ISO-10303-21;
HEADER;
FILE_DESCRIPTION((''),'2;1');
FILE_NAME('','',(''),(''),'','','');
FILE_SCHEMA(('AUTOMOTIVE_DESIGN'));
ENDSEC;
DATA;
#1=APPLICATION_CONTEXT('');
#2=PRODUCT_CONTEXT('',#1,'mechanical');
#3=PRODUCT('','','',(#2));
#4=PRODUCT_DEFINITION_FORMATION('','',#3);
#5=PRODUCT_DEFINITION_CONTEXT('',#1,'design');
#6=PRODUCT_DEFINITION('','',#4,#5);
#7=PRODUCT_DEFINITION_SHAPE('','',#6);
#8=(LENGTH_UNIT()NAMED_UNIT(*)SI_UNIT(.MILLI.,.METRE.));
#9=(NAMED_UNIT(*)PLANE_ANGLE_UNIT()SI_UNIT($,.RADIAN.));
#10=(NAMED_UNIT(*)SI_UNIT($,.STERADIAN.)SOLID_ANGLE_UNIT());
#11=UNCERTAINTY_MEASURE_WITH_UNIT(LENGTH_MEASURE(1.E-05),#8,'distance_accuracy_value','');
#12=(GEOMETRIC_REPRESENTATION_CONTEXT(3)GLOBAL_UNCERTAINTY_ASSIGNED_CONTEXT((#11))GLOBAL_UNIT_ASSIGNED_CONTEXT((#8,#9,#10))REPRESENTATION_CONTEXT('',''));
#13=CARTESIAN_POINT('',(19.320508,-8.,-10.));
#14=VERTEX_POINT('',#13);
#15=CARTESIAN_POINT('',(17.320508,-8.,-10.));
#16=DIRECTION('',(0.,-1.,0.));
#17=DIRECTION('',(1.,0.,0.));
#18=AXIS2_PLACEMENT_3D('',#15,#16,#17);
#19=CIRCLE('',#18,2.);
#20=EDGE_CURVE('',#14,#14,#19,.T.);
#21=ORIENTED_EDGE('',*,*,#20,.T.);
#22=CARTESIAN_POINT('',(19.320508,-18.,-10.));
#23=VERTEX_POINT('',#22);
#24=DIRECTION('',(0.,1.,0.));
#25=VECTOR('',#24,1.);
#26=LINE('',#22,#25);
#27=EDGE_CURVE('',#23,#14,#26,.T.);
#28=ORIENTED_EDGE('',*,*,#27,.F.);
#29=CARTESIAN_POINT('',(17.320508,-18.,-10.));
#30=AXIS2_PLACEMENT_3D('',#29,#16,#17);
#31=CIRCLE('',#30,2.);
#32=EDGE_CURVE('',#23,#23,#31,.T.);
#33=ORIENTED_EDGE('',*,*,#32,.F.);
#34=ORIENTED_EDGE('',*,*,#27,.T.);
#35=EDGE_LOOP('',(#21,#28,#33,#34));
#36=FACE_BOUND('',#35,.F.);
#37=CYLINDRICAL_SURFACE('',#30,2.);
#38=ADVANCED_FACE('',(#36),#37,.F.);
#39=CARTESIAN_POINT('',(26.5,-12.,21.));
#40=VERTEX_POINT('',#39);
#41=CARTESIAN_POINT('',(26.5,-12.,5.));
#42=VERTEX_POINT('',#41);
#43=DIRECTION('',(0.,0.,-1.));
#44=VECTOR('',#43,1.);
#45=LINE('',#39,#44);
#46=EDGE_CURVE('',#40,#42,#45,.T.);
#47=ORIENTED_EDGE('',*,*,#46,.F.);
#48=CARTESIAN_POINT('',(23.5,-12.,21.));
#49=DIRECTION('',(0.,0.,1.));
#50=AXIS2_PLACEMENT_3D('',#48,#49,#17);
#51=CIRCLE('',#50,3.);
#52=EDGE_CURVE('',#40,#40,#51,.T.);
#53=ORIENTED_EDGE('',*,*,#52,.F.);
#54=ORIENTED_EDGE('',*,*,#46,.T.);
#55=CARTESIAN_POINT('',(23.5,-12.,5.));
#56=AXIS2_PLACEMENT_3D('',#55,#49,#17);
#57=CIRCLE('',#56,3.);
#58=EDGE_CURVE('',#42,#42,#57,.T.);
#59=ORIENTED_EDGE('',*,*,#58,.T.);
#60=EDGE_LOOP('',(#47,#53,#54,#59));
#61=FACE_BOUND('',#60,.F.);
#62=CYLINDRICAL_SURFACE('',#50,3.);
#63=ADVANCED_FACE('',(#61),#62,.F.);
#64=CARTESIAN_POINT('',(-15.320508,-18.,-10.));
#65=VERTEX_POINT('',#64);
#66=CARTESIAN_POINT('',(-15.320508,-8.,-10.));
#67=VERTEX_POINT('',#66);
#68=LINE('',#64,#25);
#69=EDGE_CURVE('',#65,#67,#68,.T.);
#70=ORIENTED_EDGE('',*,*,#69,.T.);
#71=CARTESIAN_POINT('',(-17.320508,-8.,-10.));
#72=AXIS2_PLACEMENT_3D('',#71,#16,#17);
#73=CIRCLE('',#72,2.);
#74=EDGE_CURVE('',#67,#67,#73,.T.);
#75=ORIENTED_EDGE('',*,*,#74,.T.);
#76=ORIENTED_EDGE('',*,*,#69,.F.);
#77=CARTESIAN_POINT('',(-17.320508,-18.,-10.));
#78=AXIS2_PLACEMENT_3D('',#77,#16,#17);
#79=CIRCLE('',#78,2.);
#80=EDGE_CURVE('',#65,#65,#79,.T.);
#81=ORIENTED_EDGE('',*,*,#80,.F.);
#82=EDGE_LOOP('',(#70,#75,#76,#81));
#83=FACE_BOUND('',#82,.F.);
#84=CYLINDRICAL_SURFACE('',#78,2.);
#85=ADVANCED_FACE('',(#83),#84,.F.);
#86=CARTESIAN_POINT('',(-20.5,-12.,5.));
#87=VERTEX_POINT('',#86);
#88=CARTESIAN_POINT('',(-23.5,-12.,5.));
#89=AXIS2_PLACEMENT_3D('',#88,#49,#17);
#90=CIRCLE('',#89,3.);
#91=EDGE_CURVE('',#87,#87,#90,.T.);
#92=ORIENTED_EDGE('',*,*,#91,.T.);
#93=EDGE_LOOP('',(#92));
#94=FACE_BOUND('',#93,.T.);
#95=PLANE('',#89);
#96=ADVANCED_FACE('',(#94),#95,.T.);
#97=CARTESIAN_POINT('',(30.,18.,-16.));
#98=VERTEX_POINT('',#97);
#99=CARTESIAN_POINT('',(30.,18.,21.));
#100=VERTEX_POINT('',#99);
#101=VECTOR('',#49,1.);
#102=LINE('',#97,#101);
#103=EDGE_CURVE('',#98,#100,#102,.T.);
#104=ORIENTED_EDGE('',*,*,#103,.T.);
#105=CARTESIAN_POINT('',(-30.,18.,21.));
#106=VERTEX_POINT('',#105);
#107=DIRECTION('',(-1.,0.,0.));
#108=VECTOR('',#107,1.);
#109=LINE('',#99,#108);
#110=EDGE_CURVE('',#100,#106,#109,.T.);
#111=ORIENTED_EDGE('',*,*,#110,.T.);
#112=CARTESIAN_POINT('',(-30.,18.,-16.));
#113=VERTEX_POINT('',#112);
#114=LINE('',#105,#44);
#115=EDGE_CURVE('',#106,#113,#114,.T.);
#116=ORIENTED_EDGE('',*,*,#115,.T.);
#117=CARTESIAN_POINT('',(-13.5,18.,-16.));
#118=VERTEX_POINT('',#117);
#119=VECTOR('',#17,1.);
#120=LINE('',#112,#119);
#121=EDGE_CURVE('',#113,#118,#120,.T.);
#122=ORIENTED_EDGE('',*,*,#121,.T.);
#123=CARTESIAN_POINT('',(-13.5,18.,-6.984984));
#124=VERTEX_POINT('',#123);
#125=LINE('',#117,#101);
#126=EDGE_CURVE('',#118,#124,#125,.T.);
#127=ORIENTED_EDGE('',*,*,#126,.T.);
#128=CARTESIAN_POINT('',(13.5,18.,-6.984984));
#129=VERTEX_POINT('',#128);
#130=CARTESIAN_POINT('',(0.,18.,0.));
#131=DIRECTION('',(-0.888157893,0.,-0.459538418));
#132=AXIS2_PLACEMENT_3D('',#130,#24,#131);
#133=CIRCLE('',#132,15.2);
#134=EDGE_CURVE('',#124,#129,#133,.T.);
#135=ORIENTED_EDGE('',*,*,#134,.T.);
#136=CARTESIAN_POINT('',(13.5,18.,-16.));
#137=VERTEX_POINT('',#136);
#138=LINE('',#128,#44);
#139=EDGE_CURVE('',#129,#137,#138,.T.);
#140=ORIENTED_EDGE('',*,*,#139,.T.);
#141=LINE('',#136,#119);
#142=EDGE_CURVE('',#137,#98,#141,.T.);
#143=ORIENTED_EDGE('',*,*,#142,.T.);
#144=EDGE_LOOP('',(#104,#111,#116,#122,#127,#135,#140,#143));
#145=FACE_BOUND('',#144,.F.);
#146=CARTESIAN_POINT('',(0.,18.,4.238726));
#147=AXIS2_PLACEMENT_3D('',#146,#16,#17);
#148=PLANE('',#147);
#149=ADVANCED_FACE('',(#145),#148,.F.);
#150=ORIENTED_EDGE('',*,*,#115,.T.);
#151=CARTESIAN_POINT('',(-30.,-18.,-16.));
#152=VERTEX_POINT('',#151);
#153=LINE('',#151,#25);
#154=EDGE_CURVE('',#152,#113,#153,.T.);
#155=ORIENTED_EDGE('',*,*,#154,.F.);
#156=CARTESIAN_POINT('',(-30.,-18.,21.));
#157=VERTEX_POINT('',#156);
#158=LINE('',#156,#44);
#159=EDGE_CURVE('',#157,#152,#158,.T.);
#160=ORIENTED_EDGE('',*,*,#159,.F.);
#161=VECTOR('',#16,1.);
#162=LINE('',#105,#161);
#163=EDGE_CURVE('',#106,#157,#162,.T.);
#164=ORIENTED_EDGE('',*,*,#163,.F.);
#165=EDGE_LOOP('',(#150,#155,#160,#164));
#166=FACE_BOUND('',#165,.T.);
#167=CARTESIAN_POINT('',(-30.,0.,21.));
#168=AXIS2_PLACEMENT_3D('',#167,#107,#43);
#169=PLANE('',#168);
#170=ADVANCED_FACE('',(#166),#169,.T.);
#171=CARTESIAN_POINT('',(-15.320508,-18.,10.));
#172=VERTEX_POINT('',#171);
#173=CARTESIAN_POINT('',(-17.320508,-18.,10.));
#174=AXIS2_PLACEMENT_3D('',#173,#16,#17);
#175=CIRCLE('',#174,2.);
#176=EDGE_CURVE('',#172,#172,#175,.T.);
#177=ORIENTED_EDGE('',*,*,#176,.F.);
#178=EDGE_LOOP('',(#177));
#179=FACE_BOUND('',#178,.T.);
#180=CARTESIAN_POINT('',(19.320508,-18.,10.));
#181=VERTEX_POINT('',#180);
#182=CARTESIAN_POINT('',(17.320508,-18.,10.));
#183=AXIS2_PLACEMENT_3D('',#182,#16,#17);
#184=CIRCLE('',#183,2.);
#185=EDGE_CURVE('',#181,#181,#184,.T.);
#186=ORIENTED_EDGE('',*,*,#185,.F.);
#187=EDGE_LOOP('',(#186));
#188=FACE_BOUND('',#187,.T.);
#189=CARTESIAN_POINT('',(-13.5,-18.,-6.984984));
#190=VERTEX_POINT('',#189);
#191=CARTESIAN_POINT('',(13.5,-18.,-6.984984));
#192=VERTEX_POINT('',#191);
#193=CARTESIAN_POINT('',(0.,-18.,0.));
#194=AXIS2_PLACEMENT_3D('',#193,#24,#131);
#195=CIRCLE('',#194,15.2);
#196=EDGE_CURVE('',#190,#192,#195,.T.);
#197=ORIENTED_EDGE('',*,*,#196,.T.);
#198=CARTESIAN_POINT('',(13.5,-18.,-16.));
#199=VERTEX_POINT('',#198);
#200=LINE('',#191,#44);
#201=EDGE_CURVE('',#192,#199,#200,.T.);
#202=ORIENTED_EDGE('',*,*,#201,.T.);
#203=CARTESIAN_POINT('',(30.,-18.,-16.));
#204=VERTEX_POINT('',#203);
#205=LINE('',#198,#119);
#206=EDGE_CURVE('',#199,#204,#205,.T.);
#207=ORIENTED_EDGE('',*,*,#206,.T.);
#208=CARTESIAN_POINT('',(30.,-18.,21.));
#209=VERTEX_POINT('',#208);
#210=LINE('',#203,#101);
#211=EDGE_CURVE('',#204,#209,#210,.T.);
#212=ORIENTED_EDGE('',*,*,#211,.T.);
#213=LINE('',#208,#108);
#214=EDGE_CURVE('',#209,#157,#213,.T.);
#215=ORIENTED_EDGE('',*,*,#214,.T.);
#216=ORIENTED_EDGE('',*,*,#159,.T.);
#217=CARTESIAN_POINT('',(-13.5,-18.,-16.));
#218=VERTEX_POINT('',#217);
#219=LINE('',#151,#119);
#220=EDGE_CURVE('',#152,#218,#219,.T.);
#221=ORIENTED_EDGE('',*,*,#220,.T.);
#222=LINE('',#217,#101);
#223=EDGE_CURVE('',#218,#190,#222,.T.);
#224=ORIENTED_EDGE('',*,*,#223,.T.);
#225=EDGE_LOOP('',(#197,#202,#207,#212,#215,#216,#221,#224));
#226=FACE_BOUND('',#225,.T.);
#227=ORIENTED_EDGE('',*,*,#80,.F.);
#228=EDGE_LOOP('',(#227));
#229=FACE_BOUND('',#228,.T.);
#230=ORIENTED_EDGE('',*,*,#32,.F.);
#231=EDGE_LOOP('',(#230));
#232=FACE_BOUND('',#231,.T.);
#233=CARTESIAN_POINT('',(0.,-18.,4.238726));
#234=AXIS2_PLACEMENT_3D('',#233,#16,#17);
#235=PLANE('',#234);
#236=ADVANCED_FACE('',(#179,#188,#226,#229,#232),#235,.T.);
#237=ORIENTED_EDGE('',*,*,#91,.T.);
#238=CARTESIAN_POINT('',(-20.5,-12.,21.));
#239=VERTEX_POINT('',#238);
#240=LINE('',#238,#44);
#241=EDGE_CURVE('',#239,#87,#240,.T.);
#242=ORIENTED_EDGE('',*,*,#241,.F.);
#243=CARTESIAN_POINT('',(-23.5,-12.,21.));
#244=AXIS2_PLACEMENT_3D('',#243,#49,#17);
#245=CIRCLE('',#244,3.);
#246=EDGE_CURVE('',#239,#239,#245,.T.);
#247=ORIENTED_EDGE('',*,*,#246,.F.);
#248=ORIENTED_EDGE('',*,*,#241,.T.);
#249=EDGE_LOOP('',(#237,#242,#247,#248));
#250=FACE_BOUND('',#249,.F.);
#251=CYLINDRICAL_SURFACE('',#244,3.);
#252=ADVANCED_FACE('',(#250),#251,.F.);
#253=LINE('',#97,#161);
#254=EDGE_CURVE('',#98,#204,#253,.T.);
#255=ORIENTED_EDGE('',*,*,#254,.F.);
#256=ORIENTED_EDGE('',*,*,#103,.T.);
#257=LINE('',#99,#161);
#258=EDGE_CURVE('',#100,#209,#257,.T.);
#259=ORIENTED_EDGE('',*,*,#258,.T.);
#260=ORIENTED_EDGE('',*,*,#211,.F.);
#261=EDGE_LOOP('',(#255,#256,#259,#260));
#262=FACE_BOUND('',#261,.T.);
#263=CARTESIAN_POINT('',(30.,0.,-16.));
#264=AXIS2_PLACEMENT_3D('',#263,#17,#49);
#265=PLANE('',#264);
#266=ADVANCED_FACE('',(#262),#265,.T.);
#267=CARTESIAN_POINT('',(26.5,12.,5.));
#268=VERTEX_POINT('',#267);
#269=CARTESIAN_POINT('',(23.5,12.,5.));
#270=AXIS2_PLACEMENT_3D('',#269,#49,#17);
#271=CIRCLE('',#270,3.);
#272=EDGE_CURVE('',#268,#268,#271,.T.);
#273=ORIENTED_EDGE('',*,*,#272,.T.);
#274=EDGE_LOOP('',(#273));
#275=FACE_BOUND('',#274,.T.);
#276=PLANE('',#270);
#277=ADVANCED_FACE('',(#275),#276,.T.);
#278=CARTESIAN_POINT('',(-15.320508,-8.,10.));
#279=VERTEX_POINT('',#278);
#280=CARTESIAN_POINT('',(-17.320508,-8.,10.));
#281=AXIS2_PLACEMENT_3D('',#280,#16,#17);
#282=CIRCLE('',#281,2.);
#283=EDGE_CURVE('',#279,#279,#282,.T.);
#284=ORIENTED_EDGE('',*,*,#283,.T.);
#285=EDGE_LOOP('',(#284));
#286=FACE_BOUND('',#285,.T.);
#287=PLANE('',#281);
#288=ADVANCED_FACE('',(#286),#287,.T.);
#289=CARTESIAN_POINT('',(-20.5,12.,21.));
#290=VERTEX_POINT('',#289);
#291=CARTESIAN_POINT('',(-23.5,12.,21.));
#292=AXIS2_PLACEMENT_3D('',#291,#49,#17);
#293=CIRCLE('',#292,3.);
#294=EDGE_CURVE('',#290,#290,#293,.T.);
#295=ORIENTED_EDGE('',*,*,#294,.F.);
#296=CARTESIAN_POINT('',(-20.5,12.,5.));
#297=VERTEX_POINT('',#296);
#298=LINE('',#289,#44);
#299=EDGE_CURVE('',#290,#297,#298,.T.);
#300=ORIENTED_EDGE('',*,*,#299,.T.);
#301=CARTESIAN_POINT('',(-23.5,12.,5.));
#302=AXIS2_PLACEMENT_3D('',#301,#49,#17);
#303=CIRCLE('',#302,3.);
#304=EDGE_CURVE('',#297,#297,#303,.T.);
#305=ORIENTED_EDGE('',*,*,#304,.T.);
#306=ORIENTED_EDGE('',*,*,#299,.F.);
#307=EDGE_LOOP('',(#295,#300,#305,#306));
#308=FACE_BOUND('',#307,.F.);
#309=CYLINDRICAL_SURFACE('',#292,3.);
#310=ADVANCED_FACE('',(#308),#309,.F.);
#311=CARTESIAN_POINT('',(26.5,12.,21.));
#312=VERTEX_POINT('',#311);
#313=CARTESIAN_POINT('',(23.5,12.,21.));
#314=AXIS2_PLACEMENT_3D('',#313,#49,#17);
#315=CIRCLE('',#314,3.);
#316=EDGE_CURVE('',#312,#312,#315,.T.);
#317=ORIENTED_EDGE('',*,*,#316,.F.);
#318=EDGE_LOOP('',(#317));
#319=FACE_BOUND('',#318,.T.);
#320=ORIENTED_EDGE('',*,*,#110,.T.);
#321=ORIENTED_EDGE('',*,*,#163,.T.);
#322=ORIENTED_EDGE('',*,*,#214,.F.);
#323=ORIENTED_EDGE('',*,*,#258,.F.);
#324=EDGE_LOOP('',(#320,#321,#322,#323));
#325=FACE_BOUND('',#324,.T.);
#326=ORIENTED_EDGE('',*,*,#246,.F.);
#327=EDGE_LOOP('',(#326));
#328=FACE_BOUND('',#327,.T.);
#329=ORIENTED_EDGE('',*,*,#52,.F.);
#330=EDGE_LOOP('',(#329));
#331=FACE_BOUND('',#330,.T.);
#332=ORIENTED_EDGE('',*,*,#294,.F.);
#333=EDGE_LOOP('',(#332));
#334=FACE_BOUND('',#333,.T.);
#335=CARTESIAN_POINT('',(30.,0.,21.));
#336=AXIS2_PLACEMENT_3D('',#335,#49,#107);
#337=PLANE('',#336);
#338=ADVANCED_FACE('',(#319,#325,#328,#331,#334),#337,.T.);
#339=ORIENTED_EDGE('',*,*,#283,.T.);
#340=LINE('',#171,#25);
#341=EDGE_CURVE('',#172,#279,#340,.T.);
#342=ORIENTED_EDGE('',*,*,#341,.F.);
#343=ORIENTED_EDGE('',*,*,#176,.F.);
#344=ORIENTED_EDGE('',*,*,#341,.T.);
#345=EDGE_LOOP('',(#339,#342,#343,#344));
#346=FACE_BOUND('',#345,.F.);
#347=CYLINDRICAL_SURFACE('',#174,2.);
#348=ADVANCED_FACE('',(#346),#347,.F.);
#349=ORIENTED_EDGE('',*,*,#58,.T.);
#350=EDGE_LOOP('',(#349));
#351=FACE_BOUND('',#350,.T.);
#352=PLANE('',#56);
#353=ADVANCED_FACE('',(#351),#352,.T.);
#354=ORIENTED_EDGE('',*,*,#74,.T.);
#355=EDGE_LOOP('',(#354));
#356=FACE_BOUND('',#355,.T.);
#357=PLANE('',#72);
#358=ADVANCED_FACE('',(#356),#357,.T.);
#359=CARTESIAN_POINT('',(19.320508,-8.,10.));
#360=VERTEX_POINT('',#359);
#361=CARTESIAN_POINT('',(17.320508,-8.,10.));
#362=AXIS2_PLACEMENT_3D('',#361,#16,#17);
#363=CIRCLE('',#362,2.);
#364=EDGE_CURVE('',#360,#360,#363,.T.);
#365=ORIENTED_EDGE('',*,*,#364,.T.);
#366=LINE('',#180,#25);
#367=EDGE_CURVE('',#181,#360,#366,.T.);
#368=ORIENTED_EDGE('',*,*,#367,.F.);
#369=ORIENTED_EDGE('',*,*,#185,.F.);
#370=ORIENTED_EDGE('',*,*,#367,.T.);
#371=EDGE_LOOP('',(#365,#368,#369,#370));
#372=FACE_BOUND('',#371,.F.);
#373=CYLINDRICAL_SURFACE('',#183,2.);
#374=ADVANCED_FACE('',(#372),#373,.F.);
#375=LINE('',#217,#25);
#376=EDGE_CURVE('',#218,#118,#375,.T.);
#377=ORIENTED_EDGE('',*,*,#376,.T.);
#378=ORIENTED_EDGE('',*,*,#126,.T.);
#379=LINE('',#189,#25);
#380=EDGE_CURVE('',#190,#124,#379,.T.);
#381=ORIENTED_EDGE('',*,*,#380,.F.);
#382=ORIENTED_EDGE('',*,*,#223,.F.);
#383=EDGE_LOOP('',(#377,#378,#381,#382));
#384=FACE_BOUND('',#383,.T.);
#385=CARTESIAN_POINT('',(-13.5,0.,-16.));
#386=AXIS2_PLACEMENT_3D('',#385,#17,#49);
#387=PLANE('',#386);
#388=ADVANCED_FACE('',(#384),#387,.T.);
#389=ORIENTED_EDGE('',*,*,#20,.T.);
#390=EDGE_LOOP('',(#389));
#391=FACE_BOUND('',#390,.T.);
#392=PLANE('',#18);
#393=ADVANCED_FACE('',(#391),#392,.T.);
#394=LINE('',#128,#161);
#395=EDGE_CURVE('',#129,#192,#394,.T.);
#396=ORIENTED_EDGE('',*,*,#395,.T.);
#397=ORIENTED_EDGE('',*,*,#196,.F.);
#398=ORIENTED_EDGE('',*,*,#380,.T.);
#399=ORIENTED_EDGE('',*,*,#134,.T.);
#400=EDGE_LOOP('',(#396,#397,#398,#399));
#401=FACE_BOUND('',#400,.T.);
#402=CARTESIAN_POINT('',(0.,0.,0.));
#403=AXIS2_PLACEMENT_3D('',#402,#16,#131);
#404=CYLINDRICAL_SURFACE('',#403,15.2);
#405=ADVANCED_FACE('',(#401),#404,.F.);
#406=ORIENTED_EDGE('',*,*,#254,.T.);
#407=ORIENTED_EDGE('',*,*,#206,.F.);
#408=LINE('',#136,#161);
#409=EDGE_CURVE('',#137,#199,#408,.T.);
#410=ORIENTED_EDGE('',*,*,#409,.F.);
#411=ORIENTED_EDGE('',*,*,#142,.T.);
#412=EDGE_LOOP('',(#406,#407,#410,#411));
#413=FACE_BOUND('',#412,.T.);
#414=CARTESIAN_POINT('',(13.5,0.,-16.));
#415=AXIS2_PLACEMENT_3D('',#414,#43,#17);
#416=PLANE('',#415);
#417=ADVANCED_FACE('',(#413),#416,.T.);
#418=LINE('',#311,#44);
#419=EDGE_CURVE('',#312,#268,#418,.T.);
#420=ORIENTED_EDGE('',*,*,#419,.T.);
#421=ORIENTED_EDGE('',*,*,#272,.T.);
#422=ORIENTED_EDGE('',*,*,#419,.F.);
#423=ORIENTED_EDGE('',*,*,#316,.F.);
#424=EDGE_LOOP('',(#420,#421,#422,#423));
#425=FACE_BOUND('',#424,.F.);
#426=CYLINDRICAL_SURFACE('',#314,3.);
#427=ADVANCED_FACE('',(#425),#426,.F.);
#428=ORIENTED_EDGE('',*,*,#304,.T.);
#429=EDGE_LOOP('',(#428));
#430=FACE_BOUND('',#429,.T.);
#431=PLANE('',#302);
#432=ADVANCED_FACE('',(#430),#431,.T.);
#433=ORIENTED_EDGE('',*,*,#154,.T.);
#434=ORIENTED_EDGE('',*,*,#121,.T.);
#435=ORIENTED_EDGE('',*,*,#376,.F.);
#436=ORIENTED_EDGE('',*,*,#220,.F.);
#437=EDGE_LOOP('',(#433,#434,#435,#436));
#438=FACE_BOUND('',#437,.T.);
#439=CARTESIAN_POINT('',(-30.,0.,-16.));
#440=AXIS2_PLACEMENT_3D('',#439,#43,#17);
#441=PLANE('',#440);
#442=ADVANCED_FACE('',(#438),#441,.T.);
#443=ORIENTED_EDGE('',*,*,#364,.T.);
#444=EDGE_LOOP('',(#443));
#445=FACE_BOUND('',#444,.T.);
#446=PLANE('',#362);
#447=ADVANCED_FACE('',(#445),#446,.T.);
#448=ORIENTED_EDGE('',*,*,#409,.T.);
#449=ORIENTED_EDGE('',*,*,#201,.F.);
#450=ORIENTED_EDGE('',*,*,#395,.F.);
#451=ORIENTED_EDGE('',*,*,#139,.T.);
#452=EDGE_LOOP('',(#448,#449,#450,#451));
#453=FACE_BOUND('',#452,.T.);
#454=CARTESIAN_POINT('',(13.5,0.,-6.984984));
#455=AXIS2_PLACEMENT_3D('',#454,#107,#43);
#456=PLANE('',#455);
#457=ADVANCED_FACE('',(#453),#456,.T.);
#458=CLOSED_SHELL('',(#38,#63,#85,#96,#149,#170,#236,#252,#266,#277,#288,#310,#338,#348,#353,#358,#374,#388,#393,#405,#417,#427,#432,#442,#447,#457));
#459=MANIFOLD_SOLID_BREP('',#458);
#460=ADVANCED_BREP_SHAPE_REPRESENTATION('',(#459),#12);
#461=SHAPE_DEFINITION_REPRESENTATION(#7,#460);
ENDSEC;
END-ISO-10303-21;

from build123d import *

# Parameters (mm, degrees)
F1_DEPTH = 18
F2_R     = 2
F4_DEPTH = 10
F3_R     = 3
F5_DEPTH = 16


with BuildPart() as f1:
    # F0 (on Front) → F1 (new body, symmetric)
    with BuildSketch(Plane.XZ):
        with BuildLine():
            ThreePointArc((-13.5, -6.984984), (0, 15.2), (13.5, -6.984984))
            Line((13.5, -6.984984), (13.5, -16))
            Line((13.5, -16), (30, -16))
            Line((30, -16), (30, 21))
            Line((30, 21), (-30, 21))
            Line((-30, 21), (-30, -16))
            Line((-30, -16), (-13.5, -16))
            Line((-13.5, -16), (-13.5, -6.984984))
        make_face()
    extrude(amount=F1_DEPTH, both=True)

    # F2 (on face) → F4 (cut)
    with BuildSketch(Plane.XZ.offset(18)):
        with Locations((-17.320508, 10)):
            Circle(F2_R)
        with Locations((17.320508, 10)):
            Circle(F2_R)
        with Locations((17.320508, -10)):
            Circle(F2_R)
        with Locations((-17.320508, -10)):
            Circle(F2_R)
    extrude(amount=-F4_DEPTH, mode=Mode.SUBTRACT)

    # F3 (on face) → F5 (cut)
    with BuildSketch(Plane.XY.offset(21)):
        with Locations((-23.5, 12)):
            Circle(F3_R)
        with Locations((23.5, 12)):
            Circle(F3_R)
        with Locations((23.5, -12)):
            Circle(F3_R)
        with Locations((-23.5, -12)):
            Circle(F3_R)
    extrude(amount=-F5_DEPTH, mode=Mode.SUBTRACT)


solid = f1.part
